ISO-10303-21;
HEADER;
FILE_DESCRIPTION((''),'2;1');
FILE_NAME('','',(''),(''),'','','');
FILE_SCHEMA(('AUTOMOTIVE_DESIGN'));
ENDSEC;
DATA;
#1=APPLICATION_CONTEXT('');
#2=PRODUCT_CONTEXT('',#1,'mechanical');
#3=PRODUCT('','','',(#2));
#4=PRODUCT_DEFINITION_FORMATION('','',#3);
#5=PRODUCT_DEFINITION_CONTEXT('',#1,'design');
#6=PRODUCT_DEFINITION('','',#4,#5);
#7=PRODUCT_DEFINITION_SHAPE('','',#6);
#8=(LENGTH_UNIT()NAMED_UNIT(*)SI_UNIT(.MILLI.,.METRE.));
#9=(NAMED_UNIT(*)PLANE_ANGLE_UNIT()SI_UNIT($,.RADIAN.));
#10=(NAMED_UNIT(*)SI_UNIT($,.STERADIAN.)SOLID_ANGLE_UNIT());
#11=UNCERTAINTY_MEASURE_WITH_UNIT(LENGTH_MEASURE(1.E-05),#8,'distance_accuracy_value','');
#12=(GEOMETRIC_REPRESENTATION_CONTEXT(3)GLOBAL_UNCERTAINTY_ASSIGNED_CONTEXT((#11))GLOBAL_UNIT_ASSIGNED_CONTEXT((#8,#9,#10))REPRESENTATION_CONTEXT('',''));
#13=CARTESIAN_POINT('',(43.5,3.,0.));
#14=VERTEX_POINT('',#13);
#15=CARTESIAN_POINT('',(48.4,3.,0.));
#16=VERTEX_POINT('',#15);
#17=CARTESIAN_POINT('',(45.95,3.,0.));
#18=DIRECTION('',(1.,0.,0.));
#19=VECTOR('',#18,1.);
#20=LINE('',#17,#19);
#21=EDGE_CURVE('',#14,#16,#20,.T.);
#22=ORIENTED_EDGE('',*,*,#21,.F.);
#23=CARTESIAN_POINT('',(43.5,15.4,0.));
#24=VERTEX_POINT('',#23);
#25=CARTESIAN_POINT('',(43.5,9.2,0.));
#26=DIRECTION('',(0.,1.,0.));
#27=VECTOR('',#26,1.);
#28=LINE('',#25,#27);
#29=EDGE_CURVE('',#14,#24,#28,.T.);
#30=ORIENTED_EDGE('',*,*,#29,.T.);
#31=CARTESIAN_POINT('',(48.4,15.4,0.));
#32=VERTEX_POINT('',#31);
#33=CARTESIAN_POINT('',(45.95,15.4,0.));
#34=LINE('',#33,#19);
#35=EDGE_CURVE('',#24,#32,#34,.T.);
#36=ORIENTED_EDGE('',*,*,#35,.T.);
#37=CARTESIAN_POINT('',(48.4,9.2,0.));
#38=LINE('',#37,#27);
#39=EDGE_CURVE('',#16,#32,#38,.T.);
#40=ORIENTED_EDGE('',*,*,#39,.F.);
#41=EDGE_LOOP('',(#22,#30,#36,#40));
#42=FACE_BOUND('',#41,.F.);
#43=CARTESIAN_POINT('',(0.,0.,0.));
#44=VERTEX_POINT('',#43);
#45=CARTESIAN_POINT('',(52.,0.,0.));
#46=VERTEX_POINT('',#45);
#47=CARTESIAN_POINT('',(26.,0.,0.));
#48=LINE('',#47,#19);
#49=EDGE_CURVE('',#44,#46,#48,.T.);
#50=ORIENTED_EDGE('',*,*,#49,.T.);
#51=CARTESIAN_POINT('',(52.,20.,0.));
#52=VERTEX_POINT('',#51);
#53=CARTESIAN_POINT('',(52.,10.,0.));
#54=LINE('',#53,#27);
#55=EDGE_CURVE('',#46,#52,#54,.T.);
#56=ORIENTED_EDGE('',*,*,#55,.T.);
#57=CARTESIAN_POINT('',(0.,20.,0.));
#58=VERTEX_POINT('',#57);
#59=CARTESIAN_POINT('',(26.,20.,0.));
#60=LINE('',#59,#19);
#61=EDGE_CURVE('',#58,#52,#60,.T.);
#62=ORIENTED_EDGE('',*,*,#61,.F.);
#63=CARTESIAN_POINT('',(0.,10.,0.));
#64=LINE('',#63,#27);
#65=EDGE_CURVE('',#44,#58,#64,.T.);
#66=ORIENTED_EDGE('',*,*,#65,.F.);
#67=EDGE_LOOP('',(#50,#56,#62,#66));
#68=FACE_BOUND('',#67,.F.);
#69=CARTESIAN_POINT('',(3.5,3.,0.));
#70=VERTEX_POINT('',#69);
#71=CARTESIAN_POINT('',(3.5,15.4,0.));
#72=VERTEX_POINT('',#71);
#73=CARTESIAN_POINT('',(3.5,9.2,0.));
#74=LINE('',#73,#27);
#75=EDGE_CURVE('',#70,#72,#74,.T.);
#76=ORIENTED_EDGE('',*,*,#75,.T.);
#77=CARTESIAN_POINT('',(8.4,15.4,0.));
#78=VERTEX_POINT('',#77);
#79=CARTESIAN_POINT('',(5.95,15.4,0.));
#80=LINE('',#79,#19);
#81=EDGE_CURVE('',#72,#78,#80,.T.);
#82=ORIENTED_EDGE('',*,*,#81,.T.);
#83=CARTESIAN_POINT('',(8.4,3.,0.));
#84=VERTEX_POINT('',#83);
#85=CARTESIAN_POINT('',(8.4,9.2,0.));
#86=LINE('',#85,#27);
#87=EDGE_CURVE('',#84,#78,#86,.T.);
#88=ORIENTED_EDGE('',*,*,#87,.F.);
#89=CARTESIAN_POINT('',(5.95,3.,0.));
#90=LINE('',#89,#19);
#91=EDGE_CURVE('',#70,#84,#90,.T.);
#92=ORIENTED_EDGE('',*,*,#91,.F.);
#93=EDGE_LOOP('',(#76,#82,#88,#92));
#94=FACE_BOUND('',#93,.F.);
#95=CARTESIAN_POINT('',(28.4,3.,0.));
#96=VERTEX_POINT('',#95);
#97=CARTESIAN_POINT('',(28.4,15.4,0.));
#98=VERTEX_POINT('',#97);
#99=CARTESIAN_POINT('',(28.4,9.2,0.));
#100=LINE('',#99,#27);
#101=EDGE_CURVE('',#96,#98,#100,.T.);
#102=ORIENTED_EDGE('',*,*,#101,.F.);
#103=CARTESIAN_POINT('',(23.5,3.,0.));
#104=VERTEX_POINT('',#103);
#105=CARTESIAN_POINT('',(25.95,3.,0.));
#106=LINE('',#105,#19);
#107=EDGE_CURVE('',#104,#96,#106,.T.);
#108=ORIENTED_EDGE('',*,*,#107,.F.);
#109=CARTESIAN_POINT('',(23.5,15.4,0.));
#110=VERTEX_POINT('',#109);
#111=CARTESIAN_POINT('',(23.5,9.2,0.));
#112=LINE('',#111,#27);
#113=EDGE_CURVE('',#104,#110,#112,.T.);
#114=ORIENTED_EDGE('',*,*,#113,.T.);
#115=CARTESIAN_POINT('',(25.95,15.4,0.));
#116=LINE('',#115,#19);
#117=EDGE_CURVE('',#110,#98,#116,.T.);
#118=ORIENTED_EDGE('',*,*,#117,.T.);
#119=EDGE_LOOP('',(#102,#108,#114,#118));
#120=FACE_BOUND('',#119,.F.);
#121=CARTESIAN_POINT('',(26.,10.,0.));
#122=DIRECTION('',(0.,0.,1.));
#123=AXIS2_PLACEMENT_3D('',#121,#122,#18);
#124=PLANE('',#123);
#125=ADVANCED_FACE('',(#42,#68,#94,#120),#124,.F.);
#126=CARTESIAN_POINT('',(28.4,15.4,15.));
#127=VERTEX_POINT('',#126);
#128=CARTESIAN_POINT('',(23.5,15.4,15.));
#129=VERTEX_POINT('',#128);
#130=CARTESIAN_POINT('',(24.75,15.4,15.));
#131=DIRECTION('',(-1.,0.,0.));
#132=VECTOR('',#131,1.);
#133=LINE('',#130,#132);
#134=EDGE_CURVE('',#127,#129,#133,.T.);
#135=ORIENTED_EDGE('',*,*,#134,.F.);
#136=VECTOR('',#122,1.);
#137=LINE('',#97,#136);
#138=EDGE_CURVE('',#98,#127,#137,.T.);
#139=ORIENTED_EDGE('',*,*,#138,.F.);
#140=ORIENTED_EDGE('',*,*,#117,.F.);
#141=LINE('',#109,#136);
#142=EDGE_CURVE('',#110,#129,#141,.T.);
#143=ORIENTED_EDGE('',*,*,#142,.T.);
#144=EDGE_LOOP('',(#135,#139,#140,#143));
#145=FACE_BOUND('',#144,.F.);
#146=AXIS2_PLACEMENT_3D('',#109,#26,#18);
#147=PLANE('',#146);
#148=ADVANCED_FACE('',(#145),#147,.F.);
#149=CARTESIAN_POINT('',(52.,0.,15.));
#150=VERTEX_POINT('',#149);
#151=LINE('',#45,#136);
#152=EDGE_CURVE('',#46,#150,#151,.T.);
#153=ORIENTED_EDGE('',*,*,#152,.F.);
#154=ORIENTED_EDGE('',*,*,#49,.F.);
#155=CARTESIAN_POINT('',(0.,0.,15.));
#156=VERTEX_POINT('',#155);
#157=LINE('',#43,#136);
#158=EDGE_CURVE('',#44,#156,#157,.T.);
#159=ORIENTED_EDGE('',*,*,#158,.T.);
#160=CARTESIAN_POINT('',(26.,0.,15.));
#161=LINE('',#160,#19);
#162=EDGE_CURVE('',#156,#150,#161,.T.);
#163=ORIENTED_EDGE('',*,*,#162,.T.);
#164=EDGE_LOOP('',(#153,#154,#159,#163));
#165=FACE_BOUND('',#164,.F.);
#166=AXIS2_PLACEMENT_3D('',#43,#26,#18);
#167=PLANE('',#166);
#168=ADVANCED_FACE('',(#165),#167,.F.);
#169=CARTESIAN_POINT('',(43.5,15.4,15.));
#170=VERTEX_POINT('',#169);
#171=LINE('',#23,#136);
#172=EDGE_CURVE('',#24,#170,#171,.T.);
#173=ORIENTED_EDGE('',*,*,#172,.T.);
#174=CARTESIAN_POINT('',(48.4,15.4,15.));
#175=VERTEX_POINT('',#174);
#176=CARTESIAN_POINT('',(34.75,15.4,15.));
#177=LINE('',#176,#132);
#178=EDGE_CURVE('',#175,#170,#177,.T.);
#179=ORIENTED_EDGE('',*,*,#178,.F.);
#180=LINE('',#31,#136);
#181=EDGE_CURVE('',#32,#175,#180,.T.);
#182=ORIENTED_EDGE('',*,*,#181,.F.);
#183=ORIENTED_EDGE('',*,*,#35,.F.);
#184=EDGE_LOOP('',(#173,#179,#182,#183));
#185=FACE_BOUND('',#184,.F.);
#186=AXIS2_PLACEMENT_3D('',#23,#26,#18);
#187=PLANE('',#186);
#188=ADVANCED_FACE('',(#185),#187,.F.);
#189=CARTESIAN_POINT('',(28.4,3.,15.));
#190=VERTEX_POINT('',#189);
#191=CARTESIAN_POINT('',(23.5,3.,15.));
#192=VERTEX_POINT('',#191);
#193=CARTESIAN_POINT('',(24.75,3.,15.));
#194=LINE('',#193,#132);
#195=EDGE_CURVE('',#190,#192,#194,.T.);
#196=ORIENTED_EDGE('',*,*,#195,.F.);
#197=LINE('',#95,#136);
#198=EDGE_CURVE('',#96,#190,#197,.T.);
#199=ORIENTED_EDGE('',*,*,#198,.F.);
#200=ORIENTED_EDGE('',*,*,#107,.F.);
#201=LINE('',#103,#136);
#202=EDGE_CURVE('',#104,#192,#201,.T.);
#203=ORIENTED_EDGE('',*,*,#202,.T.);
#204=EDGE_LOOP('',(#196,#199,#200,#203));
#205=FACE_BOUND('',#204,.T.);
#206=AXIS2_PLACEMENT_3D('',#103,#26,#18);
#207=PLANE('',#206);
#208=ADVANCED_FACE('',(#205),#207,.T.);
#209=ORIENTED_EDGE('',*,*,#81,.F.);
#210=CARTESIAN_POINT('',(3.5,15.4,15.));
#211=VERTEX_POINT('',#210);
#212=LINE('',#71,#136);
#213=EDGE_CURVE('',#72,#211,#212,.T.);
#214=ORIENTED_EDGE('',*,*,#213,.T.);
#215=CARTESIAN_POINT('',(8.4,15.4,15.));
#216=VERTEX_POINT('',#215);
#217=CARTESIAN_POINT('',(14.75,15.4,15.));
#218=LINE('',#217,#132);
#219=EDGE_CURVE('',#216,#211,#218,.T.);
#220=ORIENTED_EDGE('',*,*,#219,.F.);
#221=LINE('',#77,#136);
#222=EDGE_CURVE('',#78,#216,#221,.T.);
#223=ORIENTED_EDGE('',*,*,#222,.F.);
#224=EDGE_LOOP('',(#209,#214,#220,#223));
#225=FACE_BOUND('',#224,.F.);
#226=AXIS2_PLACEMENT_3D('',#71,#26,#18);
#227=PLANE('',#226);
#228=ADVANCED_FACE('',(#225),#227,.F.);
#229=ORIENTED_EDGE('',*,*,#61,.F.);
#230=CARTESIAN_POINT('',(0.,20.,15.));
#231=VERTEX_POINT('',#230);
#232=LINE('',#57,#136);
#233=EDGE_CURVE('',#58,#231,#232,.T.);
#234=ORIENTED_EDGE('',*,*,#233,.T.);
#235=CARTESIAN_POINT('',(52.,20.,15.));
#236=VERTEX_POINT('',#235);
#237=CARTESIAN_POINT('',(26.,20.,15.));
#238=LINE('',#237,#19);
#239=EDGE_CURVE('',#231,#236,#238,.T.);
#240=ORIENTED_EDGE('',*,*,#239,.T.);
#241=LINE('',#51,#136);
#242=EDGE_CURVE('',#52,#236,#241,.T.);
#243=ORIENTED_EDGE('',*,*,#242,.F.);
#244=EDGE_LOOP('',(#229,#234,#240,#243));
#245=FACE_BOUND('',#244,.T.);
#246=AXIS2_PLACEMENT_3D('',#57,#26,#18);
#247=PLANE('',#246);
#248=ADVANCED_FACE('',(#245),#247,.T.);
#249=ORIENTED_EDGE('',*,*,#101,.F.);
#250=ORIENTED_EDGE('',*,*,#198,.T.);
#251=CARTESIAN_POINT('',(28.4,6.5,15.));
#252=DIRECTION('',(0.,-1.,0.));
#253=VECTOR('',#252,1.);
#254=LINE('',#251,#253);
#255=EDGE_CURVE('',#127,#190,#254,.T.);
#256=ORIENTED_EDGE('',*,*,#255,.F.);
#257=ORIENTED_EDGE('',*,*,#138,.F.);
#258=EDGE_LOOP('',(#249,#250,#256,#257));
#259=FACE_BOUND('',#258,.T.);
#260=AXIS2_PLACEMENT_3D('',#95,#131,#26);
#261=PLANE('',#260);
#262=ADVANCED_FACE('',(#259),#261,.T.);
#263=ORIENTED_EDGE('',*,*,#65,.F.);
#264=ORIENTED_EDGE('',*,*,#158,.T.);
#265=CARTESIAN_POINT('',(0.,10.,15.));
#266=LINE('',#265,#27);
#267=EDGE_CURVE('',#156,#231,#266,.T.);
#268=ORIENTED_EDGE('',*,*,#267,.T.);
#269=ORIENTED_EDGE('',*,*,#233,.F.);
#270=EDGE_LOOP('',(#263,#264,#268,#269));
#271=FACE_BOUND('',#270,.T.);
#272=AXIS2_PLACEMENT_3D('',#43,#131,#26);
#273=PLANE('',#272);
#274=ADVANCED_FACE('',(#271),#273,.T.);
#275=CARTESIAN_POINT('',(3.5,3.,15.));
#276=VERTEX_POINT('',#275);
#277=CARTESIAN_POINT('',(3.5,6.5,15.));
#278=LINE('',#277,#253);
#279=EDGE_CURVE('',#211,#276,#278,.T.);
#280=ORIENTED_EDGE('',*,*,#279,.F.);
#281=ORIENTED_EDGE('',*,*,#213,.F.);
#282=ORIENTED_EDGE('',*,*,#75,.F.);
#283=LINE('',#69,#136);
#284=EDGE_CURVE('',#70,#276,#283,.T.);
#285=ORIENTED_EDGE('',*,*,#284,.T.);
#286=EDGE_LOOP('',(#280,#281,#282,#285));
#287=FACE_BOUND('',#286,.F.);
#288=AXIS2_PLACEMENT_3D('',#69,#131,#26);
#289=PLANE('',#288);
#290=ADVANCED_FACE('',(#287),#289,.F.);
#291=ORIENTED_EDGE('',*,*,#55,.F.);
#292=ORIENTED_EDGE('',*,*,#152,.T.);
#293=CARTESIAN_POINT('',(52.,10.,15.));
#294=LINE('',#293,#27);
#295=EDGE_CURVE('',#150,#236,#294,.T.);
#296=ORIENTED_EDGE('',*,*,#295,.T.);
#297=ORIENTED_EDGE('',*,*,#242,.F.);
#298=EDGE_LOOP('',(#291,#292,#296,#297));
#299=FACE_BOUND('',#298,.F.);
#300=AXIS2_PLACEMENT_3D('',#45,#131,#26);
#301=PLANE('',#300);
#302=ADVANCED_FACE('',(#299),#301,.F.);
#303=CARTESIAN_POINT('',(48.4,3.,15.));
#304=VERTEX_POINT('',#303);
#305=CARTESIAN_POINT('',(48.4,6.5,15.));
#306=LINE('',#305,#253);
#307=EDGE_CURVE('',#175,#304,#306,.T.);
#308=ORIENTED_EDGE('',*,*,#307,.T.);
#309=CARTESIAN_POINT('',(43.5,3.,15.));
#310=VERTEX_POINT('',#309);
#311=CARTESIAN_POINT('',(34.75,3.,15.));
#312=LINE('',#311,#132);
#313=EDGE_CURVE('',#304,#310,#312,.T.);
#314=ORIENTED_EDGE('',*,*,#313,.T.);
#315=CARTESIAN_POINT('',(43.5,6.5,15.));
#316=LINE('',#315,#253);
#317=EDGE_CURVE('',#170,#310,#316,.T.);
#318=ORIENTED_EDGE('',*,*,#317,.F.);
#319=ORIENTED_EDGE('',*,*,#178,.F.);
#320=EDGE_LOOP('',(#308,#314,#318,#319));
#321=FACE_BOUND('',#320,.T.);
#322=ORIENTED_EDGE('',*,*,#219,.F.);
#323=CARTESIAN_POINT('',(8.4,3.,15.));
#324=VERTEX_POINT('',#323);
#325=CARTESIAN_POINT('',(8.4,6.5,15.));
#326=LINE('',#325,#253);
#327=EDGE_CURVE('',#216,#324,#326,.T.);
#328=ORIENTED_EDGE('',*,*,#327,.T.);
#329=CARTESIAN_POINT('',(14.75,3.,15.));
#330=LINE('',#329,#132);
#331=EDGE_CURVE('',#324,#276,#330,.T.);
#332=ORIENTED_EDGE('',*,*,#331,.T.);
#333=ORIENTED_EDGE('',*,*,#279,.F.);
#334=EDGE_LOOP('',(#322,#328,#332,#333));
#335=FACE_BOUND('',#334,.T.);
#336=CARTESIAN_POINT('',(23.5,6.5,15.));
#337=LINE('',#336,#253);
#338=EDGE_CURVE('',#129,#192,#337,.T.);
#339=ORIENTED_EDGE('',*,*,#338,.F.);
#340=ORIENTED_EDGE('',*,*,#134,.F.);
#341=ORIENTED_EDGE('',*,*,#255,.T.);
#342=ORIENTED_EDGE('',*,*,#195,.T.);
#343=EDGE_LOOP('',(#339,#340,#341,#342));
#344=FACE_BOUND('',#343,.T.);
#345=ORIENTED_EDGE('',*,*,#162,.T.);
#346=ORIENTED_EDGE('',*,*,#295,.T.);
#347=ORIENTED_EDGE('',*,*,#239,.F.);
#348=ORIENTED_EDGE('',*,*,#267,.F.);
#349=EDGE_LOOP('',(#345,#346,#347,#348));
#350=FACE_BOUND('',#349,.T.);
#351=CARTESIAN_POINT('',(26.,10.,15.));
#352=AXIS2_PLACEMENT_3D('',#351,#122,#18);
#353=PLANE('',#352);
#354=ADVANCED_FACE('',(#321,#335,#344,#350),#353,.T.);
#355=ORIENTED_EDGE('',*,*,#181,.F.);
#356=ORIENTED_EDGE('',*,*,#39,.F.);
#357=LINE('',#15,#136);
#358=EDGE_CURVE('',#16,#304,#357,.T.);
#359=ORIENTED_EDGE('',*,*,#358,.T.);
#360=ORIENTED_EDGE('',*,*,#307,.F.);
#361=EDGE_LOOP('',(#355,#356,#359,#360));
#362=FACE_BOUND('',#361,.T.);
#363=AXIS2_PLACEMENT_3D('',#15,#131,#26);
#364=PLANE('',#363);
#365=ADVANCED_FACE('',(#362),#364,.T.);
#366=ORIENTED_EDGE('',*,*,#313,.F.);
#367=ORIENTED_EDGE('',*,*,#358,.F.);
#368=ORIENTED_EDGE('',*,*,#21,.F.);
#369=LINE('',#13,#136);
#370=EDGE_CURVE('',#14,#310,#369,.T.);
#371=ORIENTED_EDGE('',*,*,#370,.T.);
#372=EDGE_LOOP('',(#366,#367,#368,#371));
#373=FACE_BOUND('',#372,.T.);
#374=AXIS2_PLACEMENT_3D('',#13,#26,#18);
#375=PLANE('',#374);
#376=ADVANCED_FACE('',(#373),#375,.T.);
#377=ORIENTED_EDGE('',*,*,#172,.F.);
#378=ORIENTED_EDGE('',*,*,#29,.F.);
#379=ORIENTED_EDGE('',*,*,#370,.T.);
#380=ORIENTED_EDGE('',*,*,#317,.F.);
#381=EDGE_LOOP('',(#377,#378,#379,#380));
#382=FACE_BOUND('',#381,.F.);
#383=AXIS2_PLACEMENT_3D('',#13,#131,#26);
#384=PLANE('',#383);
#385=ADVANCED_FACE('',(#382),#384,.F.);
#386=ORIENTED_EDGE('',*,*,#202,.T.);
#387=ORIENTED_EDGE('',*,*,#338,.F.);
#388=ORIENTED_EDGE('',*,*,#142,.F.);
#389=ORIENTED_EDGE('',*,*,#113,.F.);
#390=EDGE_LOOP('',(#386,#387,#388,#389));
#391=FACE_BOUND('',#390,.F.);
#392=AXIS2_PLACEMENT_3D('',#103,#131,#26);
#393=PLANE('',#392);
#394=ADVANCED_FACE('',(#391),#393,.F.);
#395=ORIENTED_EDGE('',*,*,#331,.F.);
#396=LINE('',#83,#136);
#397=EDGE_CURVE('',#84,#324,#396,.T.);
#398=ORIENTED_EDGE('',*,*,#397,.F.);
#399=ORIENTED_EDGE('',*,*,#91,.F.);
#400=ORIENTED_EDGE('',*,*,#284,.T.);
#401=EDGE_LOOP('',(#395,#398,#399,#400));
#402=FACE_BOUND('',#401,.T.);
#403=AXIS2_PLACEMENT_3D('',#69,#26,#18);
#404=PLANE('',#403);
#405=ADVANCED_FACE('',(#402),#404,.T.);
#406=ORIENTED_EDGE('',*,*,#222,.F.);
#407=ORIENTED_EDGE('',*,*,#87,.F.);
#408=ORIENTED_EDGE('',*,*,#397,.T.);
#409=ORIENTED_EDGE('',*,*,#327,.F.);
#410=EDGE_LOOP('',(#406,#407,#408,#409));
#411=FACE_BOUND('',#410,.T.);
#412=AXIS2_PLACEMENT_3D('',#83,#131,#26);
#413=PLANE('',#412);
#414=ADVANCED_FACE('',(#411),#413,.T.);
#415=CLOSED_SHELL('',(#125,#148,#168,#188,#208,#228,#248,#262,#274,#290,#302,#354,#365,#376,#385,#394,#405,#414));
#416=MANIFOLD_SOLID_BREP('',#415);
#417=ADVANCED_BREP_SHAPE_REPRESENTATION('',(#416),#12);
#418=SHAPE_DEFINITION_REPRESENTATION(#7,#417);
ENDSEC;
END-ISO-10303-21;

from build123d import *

# Parameters (mm, degrees)
BOX002_W     = 4.9
BOX002_H     = 12.4
BOX002_DEPTH = 16
BOX003_W     = 4.9
BOX003_H     = 12.4
BOX003_DEPTH = 16
BOX001_W     = 4.9
BOX001_H     = 12.4
BOX001_DEPTH = 16
BOX_W        = 52
BOX_H        = 20
BOX_DEPTH    = 15


with BuildPart() as cubo002:
    # Box002 → Box002 (new body)
    with BuildSketch(Plane(origin=(43.5, 3, 0), x_dir=(1, 0, 0), z_dir=(0, 0, 1))):
        with Locations((2.45, 6.2)):
            Rectangle(BOX002_W, BOX002_H)
    extrude(amount=BOX002_DEPTH)


with BuildPart() as cubo003:
    # Box003 → Box003 (new body)
    with BuildSketch(Plane(origin=(23.5, 3, 0), x_dir=(1, 0, 0), z_dir=(0, 0, 1))):
        with Locations((2.45, 6.2)):
            Rectangle(BOX003_W, BOX003_H)
    extrude(amount=BOX003_DEPTH)


with BuildPart() as cubo001:
    # Box001 → Box001 (new body)
    with BuildSketch(Plane(origin=(3.5, 3, 0), x_dir=(1, 0, 0), z_dir=(0, 0, 1))):
        with Locations((2.45, 6.2)):
            Rectangle(BOX001_W, BOX001_H)
    extrude(amount=BOX001_DEPTH)


with BuildPart() as cut002:
    # Box → Box (new body)
    with BuildSketch(Plane.XY):
        with Locations((26, 10)):
            Rectangle(BOX_W, BOX_H)
    extrude(amount=BOX_DEPTH)

    # Cut: cut Cubo001
    add(cubo001.part, mode=Mode.SUBTRACT)

    # Cut001: cut Cubo003
    add(cubo003.part, mode=Mode.SUBTRACT)

    # Cut002: cut Cubo002
    add(cubo002.part, mode=Mode.SUBTRACT)


solid = cut002.part
